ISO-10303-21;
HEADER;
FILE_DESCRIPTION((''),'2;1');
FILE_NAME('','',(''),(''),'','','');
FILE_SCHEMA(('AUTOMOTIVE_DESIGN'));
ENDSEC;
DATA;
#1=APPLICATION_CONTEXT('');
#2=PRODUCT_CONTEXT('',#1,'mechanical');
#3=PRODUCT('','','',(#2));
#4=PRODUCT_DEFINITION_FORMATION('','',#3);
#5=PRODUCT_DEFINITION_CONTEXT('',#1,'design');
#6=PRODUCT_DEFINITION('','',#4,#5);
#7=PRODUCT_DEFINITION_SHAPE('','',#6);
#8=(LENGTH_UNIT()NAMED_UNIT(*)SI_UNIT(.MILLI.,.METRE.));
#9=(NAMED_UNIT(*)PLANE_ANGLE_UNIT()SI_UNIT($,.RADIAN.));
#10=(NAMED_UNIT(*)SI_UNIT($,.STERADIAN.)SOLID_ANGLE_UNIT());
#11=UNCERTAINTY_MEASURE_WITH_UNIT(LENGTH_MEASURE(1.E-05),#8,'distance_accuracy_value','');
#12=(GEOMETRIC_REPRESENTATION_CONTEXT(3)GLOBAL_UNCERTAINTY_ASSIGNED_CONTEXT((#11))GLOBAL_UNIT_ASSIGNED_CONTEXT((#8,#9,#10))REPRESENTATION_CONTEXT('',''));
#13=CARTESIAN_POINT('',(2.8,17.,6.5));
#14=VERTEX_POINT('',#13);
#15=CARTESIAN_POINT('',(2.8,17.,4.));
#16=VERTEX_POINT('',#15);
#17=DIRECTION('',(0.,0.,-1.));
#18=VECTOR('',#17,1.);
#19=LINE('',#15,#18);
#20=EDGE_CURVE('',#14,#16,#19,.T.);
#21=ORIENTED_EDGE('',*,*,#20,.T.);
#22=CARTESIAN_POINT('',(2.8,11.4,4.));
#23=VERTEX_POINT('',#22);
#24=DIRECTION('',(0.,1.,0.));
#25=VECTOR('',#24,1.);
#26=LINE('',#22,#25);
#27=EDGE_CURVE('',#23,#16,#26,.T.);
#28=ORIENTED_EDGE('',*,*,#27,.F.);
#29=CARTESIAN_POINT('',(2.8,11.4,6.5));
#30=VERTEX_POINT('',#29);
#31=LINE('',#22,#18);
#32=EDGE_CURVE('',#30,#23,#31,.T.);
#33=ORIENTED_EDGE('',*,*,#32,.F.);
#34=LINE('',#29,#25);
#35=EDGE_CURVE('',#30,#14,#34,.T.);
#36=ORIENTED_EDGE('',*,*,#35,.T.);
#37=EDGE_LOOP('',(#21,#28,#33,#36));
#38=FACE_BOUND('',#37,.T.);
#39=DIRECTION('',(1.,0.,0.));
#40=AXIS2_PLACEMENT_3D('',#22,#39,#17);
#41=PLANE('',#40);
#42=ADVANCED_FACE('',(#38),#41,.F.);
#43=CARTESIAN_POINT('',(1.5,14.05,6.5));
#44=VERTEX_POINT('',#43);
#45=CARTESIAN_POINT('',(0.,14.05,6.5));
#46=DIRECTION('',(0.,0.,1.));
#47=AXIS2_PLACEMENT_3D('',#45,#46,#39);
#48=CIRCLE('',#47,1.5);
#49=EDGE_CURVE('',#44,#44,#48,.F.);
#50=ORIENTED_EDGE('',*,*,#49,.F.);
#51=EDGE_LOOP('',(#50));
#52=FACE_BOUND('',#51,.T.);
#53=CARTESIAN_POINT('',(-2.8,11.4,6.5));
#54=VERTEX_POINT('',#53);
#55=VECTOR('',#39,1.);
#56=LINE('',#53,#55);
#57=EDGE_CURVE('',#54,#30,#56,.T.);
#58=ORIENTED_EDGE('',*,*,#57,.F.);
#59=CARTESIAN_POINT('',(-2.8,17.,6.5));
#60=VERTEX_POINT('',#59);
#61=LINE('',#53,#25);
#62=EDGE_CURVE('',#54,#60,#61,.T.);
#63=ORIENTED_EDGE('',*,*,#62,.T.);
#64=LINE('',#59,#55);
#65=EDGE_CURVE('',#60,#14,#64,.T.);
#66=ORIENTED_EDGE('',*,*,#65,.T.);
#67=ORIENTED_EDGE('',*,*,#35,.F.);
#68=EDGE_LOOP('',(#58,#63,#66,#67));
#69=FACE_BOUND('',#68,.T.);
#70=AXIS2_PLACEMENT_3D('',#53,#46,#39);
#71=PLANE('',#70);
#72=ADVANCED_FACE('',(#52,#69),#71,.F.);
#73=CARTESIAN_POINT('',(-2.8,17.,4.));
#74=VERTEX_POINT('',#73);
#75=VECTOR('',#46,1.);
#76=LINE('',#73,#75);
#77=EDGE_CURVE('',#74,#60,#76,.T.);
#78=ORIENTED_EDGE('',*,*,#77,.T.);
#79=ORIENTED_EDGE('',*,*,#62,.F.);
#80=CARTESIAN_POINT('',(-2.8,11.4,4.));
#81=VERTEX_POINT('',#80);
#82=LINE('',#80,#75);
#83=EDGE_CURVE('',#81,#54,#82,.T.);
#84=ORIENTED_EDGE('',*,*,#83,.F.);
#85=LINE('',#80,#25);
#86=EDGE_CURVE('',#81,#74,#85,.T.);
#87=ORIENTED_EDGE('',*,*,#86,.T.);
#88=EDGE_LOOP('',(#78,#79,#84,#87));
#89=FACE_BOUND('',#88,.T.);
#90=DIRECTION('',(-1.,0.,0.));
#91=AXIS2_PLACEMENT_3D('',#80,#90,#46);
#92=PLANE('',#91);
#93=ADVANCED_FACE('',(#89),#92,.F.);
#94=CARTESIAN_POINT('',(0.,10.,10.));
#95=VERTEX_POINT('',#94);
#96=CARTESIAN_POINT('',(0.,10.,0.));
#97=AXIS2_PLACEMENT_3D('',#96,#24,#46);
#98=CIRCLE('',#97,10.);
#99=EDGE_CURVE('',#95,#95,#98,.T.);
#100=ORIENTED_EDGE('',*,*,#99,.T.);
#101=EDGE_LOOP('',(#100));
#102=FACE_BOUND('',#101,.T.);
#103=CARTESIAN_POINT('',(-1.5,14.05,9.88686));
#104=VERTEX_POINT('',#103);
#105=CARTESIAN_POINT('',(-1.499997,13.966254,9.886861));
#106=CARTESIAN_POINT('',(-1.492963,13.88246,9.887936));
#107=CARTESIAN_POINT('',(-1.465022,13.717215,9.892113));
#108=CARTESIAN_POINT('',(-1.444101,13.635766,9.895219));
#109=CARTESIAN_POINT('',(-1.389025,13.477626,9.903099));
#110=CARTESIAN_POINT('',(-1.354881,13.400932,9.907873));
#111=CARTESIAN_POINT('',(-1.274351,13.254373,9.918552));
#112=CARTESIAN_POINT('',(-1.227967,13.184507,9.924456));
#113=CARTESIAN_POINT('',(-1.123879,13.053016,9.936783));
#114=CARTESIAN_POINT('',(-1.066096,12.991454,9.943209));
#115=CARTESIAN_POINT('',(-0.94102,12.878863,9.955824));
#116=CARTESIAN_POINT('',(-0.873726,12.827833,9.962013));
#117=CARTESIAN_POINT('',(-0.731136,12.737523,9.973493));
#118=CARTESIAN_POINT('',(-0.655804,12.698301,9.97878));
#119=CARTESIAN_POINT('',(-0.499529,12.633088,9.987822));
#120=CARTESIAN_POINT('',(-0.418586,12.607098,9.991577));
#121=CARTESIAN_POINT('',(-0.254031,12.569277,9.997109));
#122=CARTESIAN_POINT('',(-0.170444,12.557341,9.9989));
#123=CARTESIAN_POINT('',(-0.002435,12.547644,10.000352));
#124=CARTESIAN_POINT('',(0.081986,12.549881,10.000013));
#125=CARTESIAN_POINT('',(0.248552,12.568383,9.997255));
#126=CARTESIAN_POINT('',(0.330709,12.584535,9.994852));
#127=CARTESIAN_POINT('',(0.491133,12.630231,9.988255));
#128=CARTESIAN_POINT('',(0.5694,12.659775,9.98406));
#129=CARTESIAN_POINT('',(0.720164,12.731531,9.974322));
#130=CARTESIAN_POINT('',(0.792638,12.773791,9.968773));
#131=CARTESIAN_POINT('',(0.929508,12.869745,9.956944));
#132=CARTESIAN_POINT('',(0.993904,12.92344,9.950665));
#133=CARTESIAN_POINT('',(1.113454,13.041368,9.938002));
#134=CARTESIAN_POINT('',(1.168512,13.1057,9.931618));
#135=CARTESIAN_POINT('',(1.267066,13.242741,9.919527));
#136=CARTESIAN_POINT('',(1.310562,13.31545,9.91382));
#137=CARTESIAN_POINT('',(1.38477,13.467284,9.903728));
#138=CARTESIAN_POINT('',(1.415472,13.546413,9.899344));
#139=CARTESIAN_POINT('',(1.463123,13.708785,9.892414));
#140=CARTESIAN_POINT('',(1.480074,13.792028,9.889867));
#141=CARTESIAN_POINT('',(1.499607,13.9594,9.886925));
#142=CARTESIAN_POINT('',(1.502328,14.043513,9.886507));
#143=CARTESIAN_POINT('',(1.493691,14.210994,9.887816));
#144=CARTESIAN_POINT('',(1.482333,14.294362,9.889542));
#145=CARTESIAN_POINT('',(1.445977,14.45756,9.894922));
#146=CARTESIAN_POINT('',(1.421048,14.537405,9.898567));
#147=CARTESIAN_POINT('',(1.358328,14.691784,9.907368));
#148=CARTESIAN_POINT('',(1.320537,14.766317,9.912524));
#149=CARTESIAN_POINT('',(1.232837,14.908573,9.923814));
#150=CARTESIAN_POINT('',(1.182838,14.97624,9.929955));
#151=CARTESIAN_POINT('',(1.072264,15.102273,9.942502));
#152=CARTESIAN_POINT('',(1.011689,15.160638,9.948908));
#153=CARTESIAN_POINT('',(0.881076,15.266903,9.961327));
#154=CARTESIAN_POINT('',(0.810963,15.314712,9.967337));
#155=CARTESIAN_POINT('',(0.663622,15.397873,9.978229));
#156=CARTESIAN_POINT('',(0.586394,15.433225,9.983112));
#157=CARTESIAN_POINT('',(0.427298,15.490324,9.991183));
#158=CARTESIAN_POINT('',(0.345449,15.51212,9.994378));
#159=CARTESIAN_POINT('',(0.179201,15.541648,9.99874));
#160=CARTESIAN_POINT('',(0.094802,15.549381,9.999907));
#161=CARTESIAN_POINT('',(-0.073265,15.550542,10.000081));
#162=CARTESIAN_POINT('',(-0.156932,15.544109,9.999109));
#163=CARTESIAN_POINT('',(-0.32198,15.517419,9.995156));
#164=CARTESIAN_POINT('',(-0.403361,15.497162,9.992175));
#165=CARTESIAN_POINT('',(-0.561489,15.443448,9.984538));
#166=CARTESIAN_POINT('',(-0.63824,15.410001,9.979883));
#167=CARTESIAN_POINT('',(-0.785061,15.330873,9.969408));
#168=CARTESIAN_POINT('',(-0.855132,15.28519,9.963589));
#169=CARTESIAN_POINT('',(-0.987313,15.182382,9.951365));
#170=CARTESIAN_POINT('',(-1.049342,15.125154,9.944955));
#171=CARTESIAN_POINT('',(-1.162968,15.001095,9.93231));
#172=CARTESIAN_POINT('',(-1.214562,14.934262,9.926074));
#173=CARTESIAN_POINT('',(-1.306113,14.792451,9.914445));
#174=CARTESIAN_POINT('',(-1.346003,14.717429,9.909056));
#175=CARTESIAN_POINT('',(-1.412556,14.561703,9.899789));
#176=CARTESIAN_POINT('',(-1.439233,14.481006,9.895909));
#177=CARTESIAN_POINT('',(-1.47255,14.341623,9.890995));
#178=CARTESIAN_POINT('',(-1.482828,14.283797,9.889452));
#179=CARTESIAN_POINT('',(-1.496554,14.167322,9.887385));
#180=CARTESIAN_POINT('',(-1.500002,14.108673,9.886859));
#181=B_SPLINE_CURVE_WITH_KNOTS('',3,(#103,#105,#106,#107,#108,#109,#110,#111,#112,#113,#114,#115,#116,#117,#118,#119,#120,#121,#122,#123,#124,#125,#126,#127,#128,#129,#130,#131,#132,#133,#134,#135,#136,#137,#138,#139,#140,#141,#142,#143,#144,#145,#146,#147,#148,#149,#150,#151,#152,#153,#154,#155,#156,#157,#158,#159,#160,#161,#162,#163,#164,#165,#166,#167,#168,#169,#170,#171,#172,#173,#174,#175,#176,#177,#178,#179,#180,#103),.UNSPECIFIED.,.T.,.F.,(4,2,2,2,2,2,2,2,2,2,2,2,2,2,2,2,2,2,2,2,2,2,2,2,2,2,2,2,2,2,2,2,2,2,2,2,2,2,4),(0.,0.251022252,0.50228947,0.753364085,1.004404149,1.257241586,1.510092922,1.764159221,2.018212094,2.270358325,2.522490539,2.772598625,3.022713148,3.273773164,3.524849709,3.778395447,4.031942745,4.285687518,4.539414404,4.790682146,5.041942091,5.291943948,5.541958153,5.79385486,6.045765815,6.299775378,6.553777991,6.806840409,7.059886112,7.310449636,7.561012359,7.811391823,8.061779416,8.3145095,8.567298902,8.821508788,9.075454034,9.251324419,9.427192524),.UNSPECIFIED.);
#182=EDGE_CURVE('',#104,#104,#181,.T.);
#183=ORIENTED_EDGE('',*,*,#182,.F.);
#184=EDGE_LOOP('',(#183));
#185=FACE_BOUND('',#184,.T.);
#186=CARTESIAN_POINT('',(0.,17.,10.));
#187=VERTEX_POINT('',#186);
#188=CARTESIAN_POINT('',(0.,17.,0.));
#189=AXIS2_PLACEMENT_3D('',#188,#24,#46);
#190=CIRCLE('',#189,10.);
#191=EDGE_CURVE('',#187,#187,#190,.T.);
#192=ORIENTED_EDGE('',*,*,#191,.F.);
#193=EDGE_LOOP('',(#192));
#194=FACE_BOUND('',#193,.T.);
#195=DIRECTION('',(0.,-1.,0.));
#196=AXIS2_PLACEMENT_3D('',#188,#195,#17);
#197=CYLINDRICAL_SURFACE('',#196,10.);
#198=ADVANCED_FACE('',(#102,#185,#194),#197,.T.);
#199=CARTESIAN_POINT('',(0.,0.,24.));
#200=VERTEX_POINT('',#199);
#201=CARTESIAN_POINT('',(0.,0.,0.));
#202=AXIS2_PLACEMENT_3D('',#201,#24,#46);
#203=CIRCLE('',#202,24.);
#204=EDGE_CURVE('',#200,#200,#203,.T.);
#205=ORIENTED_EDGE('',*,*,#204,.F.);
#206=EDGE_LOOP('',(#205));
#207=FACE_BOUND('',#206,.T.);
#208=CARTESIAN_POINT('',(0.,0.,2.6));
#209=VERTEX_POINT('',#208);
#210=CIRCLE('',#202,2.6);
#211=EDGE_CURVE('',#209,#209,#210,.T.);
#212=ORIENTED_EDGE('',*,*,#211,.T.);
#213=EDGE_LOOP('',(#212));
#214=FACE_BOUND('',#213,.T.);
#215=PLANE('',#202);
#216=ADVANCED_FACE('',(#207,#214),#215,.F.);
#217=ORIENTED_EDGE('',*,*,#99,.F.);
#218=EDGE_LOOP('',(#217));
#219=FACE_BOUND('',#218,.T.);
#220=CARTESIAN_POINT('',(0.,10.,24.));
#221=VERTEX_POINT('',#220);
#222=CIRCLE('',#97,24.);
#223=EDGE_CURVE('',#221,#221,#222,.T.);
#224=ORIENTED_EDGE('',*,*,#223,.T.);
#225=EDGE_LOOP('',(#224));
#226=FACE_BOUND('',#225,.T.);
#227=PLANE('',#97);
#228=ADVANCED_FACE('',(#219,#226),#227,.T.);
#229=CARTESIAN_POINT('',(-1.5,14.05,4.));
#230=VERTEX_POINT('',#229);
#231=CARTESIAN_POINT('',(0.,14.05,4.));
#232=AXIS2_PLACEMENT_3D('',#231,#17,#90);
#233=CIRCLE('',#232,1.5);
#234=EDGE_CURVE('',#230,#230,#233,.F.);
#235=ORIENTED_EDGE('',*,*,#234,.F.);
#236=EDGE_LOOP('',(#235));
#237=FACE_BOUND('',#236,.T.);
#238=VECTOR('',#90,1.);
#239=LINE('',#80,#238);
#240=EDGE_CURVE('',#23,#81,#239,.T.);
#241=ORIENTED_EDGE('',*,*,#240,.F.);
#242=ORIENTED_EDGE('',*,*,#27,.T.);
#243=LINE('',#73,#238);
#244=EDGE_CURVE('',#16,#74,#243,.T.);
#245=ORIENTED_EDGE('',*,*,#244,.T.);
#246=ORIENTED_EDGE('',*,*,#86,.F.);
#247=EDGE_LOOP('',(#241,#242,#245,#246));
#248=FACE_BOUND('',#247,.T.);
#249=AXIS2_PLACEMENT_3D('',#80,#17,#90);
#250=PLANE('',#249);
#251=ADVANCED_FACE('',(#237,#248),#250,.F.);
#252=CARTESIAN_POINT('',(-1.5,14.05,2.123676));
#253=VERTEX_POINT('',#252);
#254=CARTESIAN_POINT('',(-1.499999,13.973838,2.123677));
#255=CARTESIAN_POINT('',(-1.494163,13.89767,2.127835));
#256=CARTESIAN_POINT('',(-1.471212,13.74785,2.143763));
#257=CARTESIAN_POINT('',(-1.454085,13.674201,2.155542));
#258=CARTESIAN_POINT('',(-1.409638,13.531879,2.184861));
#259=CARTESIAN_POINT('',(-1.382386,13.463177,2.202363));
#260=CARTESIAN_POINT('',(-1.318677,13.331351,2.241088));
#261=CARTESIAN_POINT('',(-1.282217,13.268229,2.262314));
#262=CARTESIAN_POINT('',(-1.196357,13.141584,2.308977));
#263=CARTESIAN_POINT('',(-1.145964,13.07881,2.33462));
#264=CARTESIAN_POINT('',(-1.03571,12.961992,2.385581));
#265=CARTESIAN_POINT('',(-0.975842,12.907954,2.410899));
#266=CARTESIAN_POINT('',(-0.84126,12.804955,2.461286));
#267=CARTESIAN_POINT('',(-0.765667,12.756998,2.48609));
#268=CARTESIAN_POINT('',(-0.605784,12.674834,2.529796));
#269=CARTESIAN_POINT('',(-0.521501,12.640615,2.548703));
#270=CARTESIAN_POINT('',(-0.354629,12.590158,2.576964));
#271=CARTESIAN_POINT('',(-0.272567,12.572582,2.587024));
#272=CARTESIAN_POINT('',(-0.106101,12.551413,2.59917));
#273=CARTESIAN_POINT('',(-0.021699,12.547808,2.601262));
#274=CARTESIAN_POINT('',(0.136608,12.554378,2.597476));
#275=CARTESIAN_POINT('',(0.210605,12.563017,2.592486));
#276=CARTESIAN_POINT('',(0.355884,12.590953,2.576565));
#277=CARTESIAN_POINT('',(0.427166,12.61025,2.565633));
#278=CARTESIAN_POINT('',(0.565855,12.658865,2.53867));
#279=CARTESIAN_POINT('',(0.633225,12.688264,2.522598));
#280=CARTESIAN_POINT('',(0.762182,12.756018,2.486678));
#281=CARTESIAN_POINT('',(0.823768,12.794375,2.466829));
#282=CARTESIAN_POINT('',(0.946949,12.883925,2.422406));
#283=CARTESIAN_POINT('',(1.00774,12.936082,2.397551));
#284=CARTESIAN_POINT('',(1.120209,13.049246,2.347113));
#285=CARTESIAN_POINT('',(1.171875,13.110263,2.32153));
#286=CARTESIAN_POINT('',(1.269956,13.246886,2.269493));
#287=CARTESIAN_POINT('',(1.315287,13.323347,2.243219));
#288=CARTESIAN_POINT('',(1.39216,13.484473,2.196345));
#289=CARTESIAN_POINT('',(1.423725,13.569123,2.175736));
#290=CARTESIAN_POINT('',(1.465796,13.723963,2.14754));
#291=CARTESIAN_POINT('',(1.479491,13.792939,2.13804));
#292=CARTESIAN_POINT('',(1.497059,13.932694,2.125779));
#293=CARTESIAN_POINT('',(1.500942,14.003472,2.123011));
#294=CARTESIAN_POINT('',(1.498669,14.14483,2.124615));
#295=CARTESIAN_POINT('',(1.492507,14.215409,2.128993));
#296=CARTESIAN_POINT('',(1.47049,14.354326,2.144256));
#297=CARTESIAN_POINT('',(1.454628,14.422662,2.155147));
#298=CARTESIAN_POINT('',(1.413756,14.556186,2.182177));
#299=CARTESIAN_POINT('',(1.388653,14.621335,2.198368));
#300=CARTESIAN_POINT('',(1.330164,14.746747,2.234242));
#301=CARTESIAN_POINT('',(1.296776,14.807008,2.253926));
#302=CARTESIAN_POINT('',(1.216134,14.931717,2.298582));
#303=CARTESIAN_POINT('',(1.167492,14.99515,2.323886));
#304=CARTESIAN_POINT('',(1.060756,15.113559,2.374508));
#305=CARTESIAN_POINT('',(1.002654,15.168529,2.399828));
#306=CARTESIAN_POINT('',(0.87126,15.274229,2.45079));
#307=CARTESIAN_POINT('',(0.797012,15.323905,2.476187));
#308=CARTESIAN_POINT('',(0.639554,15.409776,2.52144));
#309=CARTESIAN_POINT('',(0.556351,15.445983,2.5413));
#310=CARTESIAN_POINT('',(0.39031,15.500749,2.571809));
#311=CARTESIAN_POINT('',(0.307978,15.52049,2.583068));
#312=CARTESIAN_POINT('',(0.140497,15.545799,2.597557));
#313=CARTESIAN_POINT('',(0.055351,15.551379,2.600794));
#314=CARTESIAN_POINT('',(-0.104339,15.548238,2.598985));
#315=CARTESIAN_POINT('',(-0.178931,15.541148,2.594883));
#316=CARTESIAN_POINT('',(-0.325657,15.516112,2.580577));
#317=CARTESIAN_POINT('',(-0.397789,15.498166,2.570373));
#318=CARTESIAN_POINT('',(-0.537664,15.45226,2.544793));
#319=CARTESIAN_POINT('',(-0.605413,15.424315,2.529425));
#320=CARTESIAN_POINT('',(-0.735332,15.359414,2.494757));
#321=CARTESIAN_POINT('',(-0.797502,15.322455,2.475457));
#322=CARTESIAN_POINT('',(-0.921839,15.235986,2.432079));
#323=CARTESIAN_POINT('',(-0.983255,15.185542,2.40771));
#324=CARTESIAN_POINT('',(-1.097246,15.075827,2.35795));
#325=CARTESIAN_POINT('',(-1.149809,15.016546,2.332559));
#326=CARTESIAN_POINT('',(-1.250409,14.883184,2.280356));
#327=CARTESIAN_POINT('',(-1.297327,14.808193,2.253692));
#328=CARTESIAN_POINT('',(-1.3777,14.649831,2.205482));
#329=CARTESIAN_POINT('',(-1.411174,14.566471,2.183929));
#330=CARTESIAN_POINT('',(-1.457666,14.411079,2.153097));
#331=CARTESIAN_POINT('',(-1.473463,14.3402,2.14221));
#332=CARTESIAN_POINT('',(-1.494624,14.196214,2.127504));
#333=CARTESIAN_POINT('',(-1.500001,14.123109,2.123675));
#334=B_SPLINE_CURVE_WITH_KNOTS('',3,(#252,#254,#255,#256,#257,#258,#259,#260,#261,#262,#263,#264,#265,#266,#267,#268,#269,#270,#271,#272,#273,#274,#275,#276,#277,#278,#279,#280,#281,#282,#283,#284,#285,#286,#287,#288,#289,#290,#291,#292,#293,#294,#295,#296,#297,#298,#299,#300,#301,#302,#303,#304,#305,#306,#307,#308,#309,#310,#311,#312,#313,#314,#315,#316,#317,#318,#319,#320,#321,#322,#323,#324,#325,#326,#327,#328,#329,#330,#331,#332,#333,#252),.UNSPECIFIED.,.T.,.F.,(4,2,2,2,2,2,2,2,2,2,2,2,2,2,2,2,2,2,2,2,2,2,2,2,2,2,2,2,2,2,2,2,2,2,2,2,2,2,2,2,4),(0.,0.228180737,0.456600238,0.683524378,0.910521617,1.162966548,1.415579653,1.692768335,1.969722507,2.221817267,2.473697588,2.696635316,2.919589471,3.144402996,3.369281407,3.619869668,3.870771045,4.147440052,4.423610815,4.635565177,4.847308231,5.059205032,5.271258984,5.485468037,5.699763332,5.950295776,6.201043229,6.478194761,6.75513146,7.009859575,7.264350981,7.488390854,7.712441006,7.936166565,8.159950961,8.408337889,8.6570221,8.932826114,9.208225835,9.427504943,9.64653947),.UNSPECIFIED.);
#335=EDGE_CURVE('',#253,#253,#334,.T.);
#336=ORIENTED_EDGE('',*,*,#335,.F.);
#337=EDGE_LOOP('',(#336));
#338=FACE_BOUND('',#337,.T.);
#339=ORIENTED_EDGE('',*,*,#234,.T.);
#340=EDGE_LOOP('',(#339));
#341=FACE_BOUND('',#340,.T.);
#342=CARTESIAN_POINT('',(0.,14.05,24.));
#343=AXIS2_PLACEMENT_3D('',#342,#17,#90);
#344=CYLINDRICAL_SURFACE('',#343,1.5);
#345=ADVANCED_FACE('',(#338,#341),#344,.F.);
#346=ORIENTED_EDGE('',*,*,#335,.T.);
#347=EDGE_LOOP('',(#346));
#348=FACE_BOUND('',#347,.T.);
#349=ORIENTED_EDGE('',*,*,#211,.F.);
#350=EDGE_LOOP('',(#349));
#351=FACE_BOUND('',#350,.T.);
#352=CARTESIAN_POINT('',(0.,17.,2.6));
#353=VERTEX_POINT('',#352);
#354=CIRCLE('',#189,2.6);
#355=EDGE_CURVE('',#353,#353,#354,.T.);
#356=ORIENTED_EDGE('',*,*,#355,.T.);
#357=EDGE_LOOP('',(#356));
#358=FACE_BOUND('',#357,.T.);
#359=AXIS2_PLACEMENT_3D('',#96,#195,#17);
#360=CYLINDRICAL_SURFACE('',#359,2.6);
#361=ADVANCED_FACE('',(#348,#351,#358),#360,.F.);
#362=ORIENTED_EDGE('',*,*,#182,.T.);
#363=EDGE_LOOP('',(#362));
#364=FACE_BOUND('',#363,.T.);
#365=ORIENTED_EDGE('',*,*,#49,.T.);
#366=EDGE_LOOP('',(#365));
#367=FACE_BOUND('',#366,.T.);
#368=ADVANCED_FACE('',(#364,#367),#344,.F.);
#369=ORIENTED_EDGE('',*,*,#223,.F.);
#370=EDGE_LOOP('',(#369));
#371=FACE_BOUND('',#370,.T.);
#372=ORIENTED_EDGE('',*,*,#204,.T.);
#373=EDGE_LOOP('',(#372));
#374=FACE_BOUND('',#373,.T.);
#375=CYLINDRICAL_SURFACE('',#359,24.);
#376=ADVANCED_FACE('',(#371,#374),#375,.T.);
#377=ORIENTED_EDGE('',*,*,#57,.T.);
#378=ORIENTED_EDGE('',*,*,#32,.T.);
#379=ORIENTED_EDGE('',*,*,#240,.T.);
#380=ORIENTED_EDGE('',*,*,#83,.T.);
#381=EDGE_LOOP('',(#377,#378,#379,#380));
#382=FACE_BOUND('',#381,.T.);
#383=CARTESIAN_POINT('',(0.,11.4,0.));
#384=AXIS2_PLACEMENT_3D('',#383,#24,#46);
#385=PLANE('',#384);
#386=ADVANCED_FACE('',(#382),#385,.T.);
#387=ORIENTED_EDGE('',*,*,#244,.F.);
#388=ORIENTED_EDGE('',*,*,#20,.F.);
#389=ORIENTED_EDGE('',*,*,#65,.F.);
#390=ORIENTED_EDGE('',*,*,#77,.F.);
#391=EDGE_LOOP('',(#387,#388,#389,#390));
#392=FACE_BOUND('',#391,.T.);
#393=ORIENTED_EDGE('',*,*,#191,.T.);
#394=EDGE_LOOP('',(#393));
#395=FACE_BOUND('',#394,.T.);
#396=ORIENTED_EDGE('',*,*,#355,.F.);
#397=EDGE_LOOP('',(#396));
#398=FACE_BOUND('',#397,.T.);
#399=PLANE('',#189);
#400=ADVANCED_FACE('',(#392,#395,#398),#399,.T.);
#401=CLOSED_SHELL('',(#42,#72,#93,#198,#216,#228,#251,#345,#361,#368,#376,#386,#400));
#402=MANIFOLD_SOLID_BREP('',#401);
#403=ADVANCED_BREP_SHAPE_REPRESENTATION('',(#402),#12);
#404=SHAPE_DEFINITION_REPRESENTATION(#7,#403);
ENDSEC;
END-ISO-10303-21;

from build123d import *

# Parameters (mm, degrees)
PULLYBODY_R         = 24
PULLYBODY_R_2       = 2.6
BOSS_EXTRUDE1_DEPTH = 10
SKETCH2_R           = 10
SKETCH2_R_2         = 2.6
BOSS_EXTRUDE2_DEPTH = 7
SKETCH3_W           = 5.6
SKETCH3_H           = 2.5
CUT_EXTRUDE1_DEPTH  = 5.6
SKETCH4_R           = 1.5
CUT_EXTRUDE2_DEPTH  = 38.960505792


with BuildPart() as part:
    # PullyBody → Boss-Extrude1 (new body)
    with BuildSketch(Plane(origin=(0, 0, 0), x_dir=(1, 0, 0), z_dir=(0, 1, 0))):
        with Locations(Location((0, 0, 0), (0, 0, 270))):
            Circle(PULLYBODY_R)
        with Locations(Location((0, 0, 0), (0, 0, 270))):
            Circle(PULLYBODY_R_2, mode=Mode.SUBTRACT)
    extrude(amount=BOSS_EXTRUDE1_DEPTH)

    # Sketch2 → Boss-Extrude2 (add)
    with BuildSketch(Plane(origin=(0, 10, 0), x_dir=(1, 0, 0), z_dir=(0, 1, 0))):
        with Locations(Location((0, 0, 0), (0, 0, 270))):
            Circle(SKETCH2_R)
        with Locations(Location((0, 0, 0), (0, 0, 270))):
            Circle(SKETCH2_R_2, mode=Mode.SUBTRACT)
    extrude(amount=BOSS_EXTRUDE2_DEPTH)

    # Sketch3 → Cut-Extrude1 (cut)
    with BuildSketch(Plane(origin=(0, 17, 0), x_dir=(1, 0, 0), z_dir=(0, 1, 0))):
        with Locations((0, -5.25)):
            Rectangle(SKETCH3_W, SKETCH3_H)
    extrude(amount=-CUT_EXTRUDE1_DEPTH, mode=Mode.SUBTRACT)

    # Sketch4 → Cut-Extrude2 (cut, through all)
    with BuildSketch(Plane.XY):
        with Locations(Location((0, 14.05, 0), (0, 0, 180))):
            Circle(SKETCH4_R)
    extrude(amount=CUT_EXTRUDE2_DEPTH, mode=Mode.SUBTRACT)


solid = part.part
